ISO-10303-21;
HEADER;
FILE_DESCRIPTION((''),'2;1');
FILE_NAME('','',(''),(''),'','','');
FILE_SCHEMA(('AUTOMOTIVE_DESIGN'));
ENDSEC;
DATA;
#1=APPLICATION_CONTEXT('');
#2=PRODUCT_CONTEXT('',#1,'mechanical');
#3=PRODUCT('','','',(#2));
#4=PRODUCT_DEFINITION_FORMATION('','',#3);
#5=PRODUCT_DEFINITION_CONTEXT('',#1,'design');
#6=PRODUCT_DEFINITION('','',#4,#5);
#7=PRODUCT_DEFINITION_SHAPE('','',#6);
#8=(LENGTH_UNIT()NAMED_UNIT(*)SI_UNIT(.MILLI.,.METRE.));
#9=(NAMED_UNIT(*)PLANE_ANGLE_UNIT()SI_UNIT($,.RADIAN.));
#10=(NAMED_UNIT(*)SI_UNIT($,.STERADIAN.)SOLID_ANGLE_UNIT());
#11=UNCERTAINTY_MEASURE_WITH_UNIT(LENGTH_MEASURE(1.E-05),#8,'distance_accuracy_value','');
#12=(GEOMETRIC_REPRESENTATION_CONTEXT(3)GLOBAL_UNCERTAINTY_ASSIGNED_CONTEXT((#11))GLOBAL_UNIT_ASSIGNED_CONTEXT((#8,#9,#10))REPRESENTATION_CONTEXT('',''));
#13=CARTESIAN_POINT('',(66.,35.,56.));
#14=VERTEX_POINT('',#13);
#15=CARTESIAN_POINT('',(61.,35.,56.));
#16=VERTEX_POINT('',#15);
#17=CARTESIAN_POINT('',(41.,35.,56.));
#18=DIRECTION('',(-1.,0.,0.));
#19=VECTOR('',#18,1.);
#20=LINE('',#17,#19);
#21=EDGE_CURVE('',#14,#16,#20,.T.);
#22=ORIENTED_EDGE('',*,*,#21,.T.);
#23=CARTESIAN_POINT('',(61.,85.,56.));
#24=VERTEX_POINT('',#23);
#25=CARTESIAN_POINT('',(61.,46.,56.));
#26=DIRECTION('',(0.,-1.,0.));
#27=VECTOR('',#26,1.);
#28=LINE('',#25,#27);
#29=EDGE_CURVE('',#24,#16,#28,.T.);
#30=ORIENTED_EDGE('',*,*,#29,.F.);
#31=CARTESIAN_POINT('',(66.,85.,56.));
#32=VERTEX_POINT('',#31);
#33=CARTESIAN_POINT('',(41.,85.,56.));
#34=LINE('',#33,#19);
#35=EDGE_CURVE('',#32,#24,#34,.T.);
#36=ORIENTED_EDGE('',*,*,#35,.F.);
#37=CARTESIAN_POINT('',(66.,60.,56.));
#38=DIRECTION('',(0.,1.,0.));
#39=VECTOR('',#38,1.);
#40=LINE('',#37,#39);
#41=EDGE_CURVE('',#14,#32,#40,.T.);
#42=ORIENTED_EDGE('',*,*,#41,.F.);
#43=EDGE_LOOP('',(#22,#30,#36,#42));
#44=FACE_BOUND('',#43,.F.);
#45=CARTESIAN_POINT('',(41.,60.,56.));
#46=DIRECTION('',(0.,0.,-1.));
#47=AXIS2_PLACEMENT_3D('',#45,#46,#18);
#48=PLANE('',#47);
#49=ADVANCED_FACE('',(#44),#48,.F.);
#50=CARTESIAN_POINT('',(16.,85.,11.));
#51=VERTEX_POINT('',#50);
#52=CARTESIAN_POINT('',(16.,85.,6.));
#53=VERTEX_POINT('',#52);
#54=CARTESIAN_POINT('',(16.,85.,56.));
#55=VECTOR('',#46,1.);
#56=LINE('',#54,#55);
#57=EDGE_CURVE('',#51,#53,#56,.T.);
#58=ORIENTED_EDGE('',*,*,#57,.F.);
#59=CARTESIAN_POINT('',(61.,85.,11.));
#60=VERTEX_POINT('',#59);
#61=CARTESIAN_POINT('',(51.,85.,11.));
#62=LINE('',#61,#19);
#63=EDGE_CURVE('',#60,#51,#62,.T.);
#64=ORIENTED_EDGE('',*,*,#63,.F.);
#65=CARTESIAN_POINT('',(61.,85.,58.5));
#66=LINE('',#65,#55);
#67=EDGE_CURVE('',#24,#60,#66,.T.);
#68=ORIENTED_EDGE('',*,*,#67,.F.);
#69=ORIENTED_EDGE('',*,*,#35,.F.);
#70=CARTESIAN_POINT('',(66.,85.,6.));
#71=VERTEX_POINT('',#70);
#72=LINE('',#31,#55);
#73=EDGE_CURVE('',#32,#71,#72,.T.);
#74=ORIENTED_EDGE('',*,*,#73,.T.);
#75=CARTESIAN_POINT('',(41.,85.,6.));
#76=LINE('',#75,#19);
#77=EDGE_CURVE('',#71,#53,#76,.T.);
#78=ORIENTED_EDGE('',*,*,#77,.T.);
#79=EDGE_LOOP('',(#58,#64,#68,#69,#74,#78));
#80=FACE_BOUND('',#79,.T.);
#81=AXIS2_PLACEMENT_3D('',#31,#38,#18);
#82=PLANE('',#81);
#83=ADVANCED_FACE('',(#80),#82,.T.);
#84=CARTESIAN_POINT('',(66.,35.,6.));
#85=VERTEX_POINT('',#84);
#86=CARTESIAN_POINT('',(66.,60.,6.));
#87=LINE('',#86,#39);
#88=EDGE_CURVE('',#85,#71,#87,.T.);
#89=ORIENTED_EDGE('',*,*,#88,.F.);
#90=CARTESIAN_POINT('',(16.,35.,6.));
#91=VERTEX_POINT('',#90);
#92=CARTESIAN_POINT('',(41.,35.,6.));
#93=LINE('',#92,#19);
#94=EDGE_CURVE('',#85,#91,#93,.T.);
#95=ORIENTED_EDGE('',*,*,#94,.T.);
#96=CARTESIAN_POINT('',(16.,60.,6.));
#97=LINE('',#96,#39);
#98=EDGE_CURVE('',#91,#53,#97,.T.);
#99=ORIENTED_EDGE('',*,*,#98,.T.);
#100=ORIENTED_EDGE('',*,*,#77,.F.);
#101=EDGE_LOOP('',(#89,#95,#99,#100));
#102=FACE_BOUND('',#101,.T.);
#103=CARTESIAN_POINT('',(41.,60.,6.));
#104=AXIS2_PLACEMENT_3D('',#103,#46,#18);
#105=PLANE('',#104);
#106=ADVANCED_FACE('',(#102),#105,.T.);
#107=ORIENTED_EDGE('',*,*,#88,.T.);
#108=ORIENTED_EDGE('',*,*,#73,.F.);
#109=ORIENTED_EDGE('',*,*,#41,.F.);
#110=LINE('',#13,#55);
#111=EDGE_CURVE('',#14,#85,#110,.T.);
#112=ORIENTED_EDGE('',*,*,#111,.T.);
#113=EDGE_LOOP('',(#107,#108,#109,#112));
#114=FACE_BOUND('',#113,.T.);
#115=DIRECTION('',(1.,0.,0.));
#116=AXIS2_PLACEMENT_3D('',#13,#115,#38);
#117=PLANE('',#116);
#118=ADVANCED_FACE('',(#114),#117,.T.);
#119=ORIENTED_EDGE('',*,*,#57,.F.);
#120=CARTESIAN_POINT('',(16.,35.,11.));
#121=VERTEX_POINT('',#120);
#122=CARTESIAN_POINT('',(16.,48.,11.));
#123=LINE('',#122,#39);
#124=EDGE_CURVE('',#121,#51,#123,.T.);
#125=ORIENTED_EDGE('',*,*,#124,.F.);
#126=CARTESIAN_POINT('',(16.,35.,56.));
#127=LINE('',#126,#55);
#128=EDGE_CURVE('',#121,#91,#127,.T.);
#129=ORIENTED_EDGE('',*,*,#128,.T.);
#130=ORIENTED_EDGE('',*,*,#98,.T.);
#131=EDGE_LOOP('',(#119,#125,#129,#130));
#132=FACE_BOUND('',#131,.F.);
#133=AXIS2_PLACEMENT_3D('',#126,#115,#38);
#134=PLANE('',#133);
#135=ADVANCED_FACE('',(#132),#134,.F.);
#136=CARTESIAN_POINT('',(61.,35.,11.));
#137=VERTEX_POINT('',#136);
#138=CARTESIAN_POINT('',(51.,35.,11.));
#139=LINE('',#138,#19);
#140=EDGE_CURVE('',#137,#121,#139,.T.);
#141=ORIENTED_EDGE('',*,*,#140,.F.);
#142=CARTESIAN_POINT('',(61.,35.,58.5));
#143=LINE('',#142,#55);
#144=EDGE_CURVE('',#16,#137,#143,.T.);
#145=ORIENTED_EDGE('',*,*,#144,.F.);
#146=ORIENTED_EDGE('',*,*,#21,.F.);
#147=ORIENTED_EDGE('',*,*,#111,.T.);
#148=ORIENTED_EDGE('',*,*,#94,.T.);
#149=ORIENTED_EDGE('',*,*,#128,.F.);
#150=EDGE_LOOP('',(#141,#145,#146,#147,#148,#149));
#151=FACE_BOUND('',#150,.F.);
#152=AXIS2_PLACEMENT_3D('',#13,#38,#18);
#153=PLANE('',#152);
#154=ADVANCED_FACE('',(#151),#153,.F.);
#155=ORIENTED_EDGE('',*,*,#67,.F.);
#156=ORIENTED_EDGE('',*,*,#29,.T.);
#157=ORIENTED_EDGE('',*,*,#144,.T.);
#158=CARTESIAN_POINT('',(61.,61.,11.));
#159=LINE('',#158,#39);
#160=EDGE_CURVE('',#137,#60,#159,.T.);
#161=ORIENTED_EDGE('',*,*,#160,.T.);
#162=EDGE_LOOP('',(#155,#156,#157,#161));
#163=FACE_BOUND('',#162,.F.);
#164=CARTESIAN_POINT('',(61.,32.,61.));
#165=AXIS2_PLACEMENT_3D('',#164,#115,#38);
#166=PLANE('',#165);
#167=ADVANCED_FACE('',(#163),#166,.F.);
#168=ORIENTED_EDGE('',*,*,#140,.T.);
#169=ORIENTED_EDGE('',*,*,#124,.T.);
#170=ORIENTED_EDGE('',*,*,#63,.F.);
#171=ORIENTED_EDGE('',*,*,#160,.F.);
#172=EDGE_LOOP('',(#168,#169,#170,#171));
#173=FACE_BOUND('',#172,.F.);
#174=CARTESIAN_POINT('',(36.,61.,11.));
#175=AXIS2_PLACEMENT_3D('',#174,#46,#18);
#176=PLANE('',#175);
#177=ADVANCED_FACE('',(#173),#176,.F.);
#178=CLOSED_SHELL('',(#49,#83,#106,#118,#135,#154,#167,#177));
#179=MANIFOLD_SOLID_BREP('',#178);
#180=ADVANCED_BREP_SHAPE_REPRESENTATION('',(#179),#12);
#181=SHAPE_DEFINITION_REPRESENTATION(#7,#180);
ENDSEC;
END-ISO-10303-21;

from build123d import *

# Parameters (mm, degrees)
BOX007_W                  = 50
BOX007_H                  = 58
BOX007_DEPTH              = 50
BOX006_W                  = 50
BOX006_H                  = 50
BOX006_DEPTH              = 50
CUT002008_PLACEMENT_ANGLE = 180


with BuildPart() as cube002:
    # Box007 → Box007 (new body)
    with BuildSketch(Plane(origin=(5, -3, -5), x_dir=(1, 0, 0), z_dir=(0, 0, 1))):
        with Locations((25, 29)):
            Rectangle(BOX007_W, BOX007_H)
    extrude(amount=BOX007_DEPTH)


with BuildPart() as cut002008:
    # Box006 → Box006 (new body)
    with BuildSketch(Plane.XY):
        with Locations((25, 25)):
            Rectangle(BOX006_W, BOX006_H)
    extrude(amount=BOX006_DEPTH)

    # Cut002008: cut Cube002
    add(cube002.part, mode=Mode.SUBTRACT)


with BuildPart() as cut002008_1:
    # Cut002008 placement: moved
    add(cut002008.part.moved(Location((66, 35, 56))).rotate(Axis((66, 35, 56), (0, 1, 0)), CUT002008_PLACEMENT_ANGLE))


solid = cut002008_1.part
